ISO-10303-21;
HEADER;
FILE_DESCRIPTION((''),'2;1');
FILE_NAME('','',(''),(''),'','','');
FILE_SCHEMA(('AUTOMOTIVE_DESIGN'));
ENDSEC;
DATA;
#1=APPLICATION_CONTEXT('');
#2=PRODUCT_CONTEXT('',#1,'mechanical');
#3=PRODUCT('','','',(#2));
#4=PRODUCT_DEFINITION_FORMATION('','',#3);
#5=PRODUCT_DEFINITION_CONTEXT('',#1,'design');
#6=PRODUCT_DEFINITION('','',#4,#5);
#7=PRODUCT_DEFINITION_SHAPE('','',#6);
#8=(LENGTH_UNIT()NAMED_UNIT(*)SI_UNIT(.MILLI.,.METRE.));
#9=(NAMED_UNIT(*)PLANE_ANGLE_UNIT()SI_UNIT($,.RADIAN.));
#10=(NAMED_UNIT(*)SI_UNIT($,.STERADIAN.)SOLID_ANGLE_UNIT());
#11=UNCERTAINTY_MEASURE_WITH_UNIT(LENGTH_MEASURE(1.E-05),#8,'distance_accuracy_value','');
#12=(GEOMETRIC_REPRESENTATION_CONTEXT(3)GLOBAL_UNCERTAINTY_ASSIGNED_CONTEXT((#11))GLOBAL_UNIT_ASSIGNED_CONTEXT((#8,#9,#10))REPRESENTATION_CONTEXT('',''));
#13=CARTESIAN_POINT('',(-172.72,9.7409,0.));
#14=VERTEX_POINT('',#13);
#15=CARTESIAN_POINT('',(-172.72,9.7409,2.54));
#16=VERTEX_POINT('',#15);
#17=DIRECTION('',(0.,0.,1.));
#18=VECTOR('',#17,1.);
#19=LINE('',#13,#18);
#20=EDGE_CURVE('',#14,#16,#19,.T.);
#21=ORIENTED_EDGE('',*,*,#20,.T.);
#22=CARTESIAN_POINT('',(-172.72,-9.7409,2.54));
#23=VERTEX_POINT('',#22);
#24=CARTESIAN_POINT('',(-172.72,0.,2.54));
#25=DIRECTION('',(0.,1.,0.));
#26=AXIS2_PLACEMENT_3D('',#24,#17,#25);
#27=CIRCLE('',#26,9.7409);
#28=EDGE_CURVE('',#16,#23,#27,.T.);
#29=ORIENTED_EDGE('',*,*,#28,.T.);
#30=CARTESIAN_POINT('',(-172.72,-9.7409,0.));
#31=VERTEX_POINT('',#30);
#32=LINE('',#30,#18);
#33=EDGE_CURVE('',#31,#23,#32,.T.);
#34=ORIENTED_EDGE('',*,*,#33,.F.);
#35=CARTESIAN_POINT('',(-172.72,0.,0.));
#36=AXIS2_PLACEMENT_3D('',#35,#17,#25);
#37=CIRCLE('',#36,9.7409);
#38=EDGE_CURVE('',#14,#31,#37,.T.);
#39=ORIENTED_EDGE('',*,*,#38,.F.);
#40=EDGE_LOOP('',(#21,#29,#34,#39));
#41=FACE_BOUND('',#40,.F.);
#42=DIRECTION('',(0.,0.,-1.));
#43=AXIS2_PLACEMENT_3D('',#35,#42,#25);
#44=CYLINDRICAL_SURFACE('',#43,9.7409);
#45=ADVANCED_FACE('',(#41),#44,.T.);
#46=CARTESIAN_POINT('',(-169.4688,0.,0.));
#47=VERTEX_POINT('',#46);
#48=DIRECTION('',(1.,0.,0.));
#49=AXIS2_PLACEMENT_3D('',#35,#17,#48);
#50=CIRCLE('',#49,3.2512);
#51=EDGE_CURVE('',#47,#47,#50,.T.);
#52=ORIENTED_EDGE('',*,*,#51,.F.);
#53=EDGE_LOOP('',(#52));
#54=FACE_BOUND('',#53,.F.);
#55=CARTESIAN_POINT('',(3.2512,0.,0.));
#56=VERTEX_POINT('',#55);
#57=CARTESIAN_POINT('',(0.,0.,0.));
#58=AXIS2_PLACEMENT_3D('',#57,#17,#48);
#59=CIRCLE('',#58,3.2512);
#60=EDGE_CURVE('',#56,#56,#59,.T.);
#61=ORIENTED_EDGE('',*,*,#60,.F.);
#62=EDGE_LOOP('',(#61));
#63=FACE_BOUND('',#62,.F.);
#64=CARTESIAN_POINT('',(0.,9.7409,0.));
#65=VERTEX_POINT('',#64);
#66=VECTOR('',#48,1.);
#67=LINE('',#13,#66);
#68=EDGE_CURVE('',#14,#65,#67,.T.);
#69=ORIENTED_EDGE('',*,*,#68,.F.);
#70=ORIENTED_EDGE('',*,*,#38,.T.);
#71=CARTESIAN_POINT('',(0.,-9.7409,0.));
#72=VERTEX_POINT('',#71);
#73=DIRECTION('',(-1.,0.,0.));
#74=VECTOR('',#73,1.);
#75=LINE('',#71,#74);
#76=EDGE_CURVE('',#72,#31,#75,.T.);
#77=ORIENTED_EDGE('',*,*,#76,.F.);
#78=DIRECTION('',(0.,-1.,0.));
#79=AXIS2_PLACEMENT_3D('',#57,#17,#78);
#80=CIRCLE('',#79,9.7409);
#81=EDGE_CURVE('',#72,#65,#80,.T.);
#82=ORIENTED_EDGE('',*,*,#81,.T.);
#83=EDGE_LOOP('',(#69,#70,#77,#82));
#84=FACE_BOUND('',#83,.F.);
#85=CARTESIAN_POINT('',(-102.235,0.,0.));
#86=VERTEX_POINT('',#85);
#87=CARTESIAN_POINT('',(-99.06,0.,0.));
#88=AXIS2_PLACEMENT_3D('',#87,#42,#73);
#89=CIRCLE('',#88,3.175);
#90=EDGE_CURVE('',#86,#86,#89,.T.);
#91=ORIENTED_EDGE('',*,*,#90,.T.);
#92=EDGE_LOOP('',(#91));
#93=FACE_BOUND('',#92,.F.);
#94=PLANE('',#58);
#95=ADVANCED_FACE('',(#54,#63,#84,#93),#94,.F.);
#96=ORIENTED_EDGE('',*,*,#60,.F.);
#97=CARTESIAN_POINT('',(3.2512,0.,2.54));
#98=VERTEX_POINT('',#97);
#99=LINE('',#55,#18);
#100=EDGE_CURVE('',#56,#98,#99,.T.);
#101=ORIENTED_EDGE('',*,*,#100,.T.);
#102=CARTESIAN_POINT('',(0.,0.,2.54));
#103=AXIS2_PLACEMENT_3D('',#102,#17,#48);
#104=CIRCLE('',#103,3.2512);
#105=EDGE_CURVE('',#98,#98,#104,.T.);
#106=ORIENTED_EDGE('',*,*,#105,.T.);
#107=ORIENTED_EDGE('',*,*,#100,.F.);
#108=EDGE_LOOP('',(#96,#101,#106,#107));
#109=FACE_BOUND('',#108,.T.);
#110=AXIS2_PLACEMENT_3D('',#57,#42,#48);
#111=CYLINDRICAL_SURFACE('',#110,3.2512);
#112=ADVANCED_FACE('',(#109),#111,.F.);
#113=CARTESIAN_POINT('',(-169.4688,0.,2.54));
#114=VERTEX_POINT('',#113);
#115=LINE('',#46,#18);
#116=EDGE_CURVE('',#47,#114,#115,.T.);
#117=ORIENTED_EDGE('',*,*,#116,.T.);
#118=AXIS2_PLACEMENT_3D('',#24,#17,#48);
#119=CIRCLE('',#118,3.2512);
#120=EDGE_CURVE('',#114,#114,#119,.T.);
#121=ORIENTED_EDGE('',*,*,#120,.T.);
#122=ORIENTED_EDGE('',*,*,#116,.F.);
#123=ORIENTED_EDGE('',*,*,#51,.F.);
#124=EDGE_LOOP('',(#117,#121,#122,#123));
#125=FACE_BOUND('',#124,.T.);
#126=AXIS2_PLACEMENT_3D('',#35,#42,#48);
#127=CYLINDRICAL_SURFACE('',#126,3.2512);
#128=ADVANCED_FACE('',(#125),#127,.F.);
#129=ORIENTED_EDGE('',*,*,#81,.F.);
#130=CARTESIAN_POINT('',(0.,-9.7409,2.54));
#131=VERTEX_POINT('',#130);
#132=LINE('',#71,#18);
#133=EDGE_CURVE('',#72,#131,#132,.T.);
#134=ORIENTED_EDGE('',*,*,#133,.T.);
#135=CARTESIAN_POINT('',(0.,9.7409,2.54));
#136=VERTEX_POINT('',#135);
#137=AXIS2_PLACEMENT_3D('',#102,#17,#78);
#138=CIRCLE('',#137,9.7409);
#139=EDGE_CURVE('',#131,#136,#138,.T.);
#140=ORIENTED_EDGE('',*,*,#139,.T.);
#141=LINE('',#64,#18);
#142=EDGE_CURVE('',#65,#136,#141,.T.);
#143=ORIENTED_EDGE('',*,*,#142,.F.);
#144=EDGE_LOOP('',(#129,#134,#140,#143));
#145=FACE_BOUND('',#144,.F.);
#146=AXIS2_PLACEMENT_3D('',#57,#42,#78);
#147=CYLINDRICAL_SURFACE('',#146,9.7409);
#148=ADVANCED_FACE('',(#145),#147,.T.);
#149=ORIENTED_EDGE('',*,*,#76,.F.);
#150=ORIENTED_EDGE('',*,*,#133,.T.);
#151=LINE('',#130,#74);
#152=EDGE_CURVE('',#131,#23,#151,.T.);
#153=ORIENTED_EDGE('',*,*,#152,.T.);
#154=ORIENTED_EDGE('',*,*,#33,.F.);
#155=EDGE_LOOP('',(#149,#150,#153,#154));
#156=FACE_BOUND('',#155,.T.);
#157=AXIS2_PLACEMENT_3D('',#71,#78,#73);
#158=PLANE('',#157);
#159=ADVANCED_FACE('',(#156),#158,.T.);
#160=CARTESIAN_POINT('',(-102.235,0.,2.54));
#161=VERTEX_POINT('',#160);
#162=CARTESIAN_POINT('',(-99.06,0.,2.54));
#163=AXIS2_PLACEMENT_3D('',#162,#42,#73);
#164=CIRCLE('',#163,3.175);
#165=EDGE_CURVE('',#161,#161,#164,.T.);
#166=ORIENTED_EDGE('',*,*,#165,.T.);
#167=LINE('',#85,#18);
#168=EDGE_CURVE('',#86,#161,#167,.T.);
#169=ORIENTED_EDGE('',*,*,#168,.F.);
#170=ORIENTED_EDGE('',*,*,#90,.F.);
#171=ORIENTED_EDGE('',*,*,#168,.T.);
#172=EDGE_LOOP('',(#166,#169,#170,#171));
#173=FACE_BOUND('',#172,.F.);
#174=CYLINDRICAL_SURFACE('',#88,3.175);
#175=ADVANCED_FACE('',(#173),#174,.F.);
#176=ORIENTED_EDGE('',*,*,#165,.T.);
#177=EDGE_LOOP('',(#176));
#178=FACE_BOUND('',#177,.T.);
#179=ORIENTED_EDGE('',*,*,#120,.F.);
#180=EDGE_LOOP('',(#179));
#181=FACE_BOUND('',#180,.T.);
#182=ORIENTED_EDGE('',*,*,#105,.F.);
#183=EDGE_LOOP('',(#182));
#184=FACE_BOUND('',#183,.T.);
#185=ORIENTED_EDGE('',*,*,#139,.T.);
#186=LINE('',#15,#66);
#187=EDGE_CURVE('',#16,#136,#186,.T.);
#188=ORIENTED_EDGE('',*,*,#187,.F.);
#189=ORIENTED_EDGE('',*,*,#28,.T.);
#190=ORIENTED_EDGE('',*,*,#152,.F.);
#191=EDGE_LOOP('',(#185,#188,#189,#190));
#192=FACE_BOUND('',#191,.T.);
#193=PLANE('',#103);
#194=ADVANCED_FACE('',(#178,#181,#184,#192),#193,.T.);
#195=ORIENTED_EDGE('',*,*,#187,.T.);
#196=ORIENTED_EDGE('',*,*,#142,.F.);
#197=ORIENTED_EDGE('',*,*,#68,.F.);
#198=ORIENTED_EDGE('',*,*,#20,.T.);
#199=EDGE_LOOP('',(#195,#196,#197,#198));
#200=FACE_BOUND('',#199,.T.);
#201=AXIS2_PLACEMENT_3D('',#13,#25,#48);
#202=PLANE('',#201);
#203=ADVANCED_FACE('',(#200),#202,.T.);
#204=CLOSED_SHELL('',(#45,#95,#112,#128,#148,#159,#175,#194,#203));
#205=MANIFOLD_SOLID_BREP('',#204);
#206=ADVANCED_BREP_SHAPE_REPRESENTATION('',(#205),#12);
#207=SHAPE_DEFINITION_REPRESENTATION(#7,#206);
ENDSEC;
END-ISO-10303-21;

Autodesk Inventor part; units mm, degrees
ref_plane "YZ Plane" through (0, 0, 0) normal (1, 0, 0) x (0, 1, 0)
ref_plane "XZ Plane" through (0, 0, 0) normal (0, 1, 0) x (-1, 0, 0)
ref_plane "XY Plane" through (0, 0, 0) normal (0, 0, 1) x (1, 0, 0)
sketch "Sketch1" plane through (0, 0, 0) normal (0, 0, 1) x (1, 0, 0)
  arc A0 (0, -9.7409) -> (0, 9.7409) centre (0, 0) ccw
  arc A1 (-172.72, 9.7409) -> (-172.72, -9.7409) centre (-172.72, 0) ccw
  line L0 (-172.72, 9.7409) -> (0, 9.7409)
  line L1 (0, -9.7409) -> (-172.72, -9.7409)
  circle A2 centre (-172.72, 0) radius 3.2512
  circle A3 centre (0, 0) radius 3.2512
  circle A4 centre (-83.82, 0) radius 3.2512
  dimension "d0" = 19.4818
  dimension "d1" = 19.4818
  dimension "d2" = 172.72
  dimension "d3" = 6.5024
  dimension "d4" = 6.5024
  dimension "d12" = 6.5024
  dimension "d13" = 9.7409
  dimension "d14" = 88.9
extrude "Extrusion1" add sketch "Sketch1" along normal blind 2.54 contours L1 A1 L0 A0 | A4
sketch "Sketch2" plane through (0, 0, 0) normal (0, 0, -1) x (-1, 0, 0)
  circle A0 centre (99.06, 0) radius 3.175
  circle A1 centre (172.72, 0) radius 3.2512 projected
  circle A2 centre (0, 0) radius 3.2512 projected
  line L0 (172.72, 9.7409) -> (0, 9.7409) projected
  arc A3 (0, 9.7409) -> (0, -9.7409) centre (0, 0) ccw projected
  line L1 (0, -9.7409) -> (172.72, -9.7409) projected
  arc A4 (172.72, -9.7409) -> (172.72, 9.7409) centre (172.72, 0) ccw projected
  point P0 (86.36, 9.7409)
  dimension "d7" = 6.35
  dimension "d11" = 73.66
extrude "Extrusion2" cut sketch "Sketch2" against normal through all contours A0
equation "\"d0\" = d1"
properties part number "ArmConnector2"
